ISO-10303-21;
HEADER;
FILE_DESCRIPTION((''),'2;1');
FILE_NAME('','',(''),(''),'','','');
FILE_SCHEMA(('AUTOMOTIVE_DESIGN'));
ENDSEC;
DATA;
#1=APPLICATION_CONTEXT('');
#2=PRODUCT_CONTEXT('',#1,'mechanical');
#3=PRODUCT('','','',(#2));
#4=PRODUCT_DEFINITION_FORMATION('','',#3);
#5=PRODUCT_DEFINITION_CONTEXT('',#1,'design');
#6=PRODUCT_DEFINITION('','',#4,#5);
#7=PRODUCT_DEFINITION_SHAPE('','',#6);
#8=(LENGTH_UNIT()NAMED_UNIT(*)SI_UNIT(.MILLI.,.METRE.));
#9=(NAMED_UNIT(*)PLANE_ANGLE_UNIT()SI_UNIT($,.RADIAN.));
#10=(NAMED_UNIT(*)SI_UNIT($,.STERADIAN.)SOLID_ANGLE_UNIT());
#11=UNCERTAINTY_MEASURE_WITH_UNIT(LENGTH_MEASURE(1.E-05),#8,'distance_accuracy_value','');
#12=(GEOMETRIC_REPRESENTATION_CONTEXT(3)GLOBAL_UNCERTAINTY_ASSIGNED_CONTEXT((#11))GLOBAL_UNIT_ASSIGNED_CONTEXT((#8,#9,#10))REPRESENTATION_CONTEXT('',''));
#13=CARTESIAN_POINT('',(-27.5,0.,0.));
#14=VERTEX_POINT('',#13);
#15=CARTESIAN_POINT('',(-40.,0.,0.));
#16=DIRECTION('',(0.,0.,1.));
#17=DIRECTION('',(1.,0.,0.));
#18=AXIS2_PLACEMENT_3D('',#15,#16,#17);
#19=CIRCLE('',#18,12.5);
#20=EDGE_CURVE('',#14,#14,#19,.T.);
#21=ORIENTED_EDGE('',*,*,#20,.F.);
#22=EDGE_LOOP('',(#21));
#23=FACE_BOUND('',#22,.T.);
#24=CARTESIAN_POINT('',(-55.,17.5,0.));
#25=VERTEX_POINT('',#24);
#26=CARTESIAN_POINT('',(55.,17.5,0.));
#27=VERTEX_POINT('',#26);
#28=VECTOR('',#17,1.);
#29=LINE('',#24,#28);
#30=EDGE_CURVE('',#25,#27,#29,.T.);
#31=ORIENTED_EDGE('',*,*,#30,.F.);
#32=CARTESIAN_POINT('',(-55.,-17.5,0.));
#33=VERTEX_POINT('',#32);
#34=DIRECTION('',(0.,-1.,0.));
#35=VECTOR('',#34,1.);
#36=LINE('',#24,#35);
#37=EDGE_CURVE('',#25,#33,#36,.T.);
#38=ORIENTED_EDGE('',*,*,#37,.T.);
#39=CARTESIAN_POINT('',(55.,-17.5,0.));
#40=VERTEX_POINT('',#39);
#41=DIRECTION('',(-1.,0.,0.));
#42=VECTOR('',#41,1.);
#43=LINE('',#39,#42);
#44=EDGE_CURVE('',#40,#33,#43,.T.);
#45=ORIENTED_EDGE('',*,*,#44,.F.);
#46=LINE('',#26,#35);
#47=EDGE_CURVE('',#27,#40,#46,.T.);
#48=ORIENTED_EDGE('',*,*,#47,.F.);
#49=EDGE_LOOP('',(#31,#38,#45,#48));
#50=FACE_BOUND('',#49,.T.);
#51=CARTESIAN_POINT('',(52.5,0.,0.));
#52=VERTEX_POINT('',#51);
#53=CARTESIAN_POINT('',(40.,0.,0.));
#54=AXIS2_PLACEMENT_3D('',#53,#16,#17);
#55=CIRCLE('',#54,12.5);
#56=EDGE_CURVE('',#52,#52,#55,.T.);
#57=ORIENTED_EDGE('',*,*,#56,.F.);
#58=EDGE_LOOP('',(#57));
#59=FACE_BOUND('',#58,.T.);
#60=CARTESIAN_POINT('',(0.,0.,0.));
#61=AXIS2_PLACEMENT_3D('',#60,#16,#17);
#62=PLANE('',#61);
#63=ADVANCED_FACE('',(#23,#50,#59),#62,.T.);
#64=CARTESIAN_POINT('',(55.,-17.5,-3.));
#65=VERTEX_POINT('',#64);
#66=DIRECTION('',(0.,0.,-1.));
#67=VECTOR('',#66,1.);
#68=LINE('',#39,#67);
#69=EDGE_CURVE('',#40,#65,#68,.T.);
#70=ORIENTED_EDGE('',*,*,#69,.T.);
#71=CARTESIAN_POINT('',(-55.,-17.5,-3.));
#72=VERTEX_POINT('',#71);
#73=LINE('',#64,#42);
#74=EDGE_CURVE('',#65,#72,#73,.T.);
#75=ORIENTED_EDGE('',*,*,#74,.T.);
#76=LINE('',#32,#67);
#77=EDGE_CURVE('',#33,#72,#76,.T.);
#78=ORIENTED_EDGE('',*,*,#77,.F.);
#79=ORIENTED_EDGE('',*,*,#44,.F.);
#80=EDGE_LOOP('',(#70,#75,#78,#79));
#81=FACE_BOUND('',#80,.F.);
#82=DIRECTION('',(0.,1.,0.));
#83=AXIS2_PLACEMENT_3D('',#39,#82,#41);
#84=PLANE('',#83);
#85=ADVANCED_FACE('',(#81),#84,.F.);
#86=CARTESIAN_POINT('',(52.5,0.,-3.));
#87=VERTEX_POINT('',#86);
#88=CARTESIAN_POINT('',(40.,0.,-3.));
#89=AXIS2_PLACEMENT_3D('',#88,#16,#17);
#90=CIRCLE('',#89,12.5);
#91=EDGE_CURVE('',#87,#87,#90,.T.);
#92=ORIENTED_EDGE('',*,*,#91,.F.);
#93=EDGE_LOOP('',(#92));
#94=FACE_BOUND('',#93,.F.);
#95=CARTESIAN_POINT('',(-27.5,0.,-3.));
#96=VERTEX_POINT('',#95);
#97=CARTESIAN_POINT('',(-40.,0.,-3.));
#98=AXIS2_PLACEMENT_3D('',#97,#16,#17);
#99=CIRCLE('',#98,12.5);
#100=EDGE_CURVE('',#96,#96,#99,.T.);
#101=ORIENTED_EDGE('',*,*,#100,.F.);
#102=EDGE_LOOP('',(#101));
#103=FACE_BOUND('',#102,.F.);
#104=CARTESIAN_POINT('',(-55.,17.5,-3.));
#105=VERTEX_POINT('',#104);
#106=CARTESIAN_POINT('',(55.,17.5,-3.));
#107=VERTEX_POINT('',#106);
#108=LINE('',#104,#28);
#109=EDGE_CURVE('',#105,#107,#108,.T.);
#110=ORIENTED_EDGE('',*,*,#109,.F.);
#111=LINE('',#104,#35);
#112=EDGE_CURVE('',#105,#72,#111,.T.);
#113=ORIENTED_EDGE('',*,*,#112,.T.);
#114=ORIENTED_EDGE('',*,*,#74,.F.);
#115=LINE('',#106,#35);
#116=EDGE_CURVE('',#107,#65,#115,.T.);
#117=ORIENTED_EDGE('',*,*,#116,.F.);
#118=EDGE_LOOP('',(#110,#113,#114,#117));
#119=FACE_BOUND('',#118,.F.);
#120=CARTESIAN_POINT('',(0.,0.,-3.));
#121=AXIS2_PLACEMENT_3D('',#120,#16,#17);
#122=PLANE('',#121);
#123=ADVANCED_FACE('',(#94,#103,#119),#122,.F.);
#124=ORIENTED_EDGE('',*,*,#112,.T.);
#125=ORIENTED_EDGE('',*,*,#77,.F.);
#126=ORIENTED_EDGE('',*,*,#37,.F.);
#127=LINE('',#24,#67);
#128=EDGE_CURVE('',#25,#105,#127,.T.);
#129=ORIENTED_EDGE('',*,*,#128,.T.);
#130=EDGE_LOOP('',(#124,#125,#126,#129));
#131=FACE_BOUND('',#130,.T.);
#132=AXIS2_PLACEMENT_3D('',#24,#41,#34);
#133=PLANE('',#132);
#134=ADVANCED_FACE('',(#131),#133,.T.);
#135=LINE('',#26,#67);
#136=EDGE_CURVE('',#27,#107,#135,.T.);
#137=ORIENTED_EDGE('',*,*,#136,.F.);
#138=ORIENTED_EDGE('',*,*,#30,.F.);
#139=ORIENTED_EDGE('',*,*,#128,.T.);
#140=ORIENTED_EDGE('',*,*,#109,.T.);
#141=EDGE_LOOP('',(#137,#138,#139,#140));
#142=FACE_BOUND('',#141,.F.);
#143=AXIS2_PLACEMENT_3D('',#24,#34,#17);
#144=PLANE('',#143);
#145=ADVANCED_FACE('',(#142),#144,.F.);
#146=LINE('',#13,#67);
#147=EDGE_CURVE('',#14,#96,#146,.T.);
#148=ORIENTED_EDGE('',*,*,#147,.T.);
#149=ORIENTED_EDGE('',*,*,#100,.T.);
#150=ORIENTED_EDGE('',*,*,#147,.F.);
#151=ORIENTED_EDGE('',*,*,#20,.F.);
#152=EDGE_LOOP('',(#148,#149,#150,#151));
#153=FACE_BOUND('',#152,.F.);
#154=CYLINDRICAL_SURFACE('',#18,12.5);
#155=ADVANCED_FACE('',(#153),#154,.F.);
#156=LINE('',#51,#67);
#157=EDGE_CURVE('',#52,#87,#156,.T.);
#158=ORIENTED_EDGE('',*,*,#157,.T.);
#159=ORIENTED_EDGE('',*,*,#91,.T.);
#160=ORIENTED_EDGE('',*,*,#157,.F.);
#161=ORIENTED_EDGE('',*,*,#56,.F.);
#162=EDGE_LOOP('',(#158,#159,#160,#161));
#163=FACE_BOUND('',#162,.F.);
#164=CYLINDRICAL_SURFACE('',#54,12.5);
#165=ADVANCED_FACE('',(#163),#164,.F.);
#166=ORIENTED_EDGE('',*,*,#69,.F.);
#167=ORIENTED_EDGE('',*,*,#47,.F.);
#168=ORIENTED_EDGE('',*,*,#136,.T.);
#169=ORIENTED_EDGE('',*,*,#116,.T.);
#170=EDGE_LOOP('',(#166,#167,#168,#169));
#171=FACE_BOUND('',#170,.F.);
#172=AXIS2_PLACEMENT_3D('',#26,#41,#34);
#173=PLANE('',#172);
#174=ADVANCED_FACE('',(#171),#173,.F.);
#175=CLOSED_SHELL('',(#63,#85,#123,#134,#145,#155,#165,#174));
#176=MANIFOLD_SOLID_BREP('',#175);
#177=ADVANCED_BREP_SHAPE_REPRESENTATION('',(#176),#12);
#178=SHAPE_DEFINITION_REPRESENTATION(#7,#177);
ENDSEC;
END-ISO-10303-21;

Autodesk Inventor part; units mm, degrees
ref_plane "YZ Plane" through (0, 0, 0) normal (1, 0, 0) x (0, 1, 0)
ref_plane "XZ Plane" through (0, 0, 0) normal (0, 1, 0) x (-1, 0, 0)
ref_plane "XY Plane" through (0, 0, 0) normal (0, 0, 1) x (1, 0, 0)
sketch "Sketch1" plane through (0, 0, 0) normal (0, 0, 1) x (1, 0, 0)
  line L0 (-55, 17.5) -> (-55, -17.5)
  line L1 (-55, 17.5) -> (55, 17.5)
  line L2 (55, 17.5) -> (55, -17.5)
  line L3 (55, -17.5) -> (-55, -17.5)
  point P0 (0, 0)
  point P1 (-55, 0)
  dimension "d0" = 35
  dimension "d1" = 55
  dimension "d2" = 110
  dimension "d3" = 35
extrude "Extrusion1" add sketch "Sketch1" against normal blind 3
sketch "Sketch2" plane through (0, 0, 0) normal (0, 0, 1) x (1, 0, 0)
  circle A0 centre (40, 0) radius 12.5
  circle A1 centre (-40, 0) radius 12.5
  point P0 (0, 0)
  dimension "d6" = 25
  dimension "d7" = 40
  dimension "d8" = 25
  dimension "d9" = 40
extrude "Extrusion2" cut sketch "Sketch2" against normal through all
properties part number "Elasma_diskou2"
